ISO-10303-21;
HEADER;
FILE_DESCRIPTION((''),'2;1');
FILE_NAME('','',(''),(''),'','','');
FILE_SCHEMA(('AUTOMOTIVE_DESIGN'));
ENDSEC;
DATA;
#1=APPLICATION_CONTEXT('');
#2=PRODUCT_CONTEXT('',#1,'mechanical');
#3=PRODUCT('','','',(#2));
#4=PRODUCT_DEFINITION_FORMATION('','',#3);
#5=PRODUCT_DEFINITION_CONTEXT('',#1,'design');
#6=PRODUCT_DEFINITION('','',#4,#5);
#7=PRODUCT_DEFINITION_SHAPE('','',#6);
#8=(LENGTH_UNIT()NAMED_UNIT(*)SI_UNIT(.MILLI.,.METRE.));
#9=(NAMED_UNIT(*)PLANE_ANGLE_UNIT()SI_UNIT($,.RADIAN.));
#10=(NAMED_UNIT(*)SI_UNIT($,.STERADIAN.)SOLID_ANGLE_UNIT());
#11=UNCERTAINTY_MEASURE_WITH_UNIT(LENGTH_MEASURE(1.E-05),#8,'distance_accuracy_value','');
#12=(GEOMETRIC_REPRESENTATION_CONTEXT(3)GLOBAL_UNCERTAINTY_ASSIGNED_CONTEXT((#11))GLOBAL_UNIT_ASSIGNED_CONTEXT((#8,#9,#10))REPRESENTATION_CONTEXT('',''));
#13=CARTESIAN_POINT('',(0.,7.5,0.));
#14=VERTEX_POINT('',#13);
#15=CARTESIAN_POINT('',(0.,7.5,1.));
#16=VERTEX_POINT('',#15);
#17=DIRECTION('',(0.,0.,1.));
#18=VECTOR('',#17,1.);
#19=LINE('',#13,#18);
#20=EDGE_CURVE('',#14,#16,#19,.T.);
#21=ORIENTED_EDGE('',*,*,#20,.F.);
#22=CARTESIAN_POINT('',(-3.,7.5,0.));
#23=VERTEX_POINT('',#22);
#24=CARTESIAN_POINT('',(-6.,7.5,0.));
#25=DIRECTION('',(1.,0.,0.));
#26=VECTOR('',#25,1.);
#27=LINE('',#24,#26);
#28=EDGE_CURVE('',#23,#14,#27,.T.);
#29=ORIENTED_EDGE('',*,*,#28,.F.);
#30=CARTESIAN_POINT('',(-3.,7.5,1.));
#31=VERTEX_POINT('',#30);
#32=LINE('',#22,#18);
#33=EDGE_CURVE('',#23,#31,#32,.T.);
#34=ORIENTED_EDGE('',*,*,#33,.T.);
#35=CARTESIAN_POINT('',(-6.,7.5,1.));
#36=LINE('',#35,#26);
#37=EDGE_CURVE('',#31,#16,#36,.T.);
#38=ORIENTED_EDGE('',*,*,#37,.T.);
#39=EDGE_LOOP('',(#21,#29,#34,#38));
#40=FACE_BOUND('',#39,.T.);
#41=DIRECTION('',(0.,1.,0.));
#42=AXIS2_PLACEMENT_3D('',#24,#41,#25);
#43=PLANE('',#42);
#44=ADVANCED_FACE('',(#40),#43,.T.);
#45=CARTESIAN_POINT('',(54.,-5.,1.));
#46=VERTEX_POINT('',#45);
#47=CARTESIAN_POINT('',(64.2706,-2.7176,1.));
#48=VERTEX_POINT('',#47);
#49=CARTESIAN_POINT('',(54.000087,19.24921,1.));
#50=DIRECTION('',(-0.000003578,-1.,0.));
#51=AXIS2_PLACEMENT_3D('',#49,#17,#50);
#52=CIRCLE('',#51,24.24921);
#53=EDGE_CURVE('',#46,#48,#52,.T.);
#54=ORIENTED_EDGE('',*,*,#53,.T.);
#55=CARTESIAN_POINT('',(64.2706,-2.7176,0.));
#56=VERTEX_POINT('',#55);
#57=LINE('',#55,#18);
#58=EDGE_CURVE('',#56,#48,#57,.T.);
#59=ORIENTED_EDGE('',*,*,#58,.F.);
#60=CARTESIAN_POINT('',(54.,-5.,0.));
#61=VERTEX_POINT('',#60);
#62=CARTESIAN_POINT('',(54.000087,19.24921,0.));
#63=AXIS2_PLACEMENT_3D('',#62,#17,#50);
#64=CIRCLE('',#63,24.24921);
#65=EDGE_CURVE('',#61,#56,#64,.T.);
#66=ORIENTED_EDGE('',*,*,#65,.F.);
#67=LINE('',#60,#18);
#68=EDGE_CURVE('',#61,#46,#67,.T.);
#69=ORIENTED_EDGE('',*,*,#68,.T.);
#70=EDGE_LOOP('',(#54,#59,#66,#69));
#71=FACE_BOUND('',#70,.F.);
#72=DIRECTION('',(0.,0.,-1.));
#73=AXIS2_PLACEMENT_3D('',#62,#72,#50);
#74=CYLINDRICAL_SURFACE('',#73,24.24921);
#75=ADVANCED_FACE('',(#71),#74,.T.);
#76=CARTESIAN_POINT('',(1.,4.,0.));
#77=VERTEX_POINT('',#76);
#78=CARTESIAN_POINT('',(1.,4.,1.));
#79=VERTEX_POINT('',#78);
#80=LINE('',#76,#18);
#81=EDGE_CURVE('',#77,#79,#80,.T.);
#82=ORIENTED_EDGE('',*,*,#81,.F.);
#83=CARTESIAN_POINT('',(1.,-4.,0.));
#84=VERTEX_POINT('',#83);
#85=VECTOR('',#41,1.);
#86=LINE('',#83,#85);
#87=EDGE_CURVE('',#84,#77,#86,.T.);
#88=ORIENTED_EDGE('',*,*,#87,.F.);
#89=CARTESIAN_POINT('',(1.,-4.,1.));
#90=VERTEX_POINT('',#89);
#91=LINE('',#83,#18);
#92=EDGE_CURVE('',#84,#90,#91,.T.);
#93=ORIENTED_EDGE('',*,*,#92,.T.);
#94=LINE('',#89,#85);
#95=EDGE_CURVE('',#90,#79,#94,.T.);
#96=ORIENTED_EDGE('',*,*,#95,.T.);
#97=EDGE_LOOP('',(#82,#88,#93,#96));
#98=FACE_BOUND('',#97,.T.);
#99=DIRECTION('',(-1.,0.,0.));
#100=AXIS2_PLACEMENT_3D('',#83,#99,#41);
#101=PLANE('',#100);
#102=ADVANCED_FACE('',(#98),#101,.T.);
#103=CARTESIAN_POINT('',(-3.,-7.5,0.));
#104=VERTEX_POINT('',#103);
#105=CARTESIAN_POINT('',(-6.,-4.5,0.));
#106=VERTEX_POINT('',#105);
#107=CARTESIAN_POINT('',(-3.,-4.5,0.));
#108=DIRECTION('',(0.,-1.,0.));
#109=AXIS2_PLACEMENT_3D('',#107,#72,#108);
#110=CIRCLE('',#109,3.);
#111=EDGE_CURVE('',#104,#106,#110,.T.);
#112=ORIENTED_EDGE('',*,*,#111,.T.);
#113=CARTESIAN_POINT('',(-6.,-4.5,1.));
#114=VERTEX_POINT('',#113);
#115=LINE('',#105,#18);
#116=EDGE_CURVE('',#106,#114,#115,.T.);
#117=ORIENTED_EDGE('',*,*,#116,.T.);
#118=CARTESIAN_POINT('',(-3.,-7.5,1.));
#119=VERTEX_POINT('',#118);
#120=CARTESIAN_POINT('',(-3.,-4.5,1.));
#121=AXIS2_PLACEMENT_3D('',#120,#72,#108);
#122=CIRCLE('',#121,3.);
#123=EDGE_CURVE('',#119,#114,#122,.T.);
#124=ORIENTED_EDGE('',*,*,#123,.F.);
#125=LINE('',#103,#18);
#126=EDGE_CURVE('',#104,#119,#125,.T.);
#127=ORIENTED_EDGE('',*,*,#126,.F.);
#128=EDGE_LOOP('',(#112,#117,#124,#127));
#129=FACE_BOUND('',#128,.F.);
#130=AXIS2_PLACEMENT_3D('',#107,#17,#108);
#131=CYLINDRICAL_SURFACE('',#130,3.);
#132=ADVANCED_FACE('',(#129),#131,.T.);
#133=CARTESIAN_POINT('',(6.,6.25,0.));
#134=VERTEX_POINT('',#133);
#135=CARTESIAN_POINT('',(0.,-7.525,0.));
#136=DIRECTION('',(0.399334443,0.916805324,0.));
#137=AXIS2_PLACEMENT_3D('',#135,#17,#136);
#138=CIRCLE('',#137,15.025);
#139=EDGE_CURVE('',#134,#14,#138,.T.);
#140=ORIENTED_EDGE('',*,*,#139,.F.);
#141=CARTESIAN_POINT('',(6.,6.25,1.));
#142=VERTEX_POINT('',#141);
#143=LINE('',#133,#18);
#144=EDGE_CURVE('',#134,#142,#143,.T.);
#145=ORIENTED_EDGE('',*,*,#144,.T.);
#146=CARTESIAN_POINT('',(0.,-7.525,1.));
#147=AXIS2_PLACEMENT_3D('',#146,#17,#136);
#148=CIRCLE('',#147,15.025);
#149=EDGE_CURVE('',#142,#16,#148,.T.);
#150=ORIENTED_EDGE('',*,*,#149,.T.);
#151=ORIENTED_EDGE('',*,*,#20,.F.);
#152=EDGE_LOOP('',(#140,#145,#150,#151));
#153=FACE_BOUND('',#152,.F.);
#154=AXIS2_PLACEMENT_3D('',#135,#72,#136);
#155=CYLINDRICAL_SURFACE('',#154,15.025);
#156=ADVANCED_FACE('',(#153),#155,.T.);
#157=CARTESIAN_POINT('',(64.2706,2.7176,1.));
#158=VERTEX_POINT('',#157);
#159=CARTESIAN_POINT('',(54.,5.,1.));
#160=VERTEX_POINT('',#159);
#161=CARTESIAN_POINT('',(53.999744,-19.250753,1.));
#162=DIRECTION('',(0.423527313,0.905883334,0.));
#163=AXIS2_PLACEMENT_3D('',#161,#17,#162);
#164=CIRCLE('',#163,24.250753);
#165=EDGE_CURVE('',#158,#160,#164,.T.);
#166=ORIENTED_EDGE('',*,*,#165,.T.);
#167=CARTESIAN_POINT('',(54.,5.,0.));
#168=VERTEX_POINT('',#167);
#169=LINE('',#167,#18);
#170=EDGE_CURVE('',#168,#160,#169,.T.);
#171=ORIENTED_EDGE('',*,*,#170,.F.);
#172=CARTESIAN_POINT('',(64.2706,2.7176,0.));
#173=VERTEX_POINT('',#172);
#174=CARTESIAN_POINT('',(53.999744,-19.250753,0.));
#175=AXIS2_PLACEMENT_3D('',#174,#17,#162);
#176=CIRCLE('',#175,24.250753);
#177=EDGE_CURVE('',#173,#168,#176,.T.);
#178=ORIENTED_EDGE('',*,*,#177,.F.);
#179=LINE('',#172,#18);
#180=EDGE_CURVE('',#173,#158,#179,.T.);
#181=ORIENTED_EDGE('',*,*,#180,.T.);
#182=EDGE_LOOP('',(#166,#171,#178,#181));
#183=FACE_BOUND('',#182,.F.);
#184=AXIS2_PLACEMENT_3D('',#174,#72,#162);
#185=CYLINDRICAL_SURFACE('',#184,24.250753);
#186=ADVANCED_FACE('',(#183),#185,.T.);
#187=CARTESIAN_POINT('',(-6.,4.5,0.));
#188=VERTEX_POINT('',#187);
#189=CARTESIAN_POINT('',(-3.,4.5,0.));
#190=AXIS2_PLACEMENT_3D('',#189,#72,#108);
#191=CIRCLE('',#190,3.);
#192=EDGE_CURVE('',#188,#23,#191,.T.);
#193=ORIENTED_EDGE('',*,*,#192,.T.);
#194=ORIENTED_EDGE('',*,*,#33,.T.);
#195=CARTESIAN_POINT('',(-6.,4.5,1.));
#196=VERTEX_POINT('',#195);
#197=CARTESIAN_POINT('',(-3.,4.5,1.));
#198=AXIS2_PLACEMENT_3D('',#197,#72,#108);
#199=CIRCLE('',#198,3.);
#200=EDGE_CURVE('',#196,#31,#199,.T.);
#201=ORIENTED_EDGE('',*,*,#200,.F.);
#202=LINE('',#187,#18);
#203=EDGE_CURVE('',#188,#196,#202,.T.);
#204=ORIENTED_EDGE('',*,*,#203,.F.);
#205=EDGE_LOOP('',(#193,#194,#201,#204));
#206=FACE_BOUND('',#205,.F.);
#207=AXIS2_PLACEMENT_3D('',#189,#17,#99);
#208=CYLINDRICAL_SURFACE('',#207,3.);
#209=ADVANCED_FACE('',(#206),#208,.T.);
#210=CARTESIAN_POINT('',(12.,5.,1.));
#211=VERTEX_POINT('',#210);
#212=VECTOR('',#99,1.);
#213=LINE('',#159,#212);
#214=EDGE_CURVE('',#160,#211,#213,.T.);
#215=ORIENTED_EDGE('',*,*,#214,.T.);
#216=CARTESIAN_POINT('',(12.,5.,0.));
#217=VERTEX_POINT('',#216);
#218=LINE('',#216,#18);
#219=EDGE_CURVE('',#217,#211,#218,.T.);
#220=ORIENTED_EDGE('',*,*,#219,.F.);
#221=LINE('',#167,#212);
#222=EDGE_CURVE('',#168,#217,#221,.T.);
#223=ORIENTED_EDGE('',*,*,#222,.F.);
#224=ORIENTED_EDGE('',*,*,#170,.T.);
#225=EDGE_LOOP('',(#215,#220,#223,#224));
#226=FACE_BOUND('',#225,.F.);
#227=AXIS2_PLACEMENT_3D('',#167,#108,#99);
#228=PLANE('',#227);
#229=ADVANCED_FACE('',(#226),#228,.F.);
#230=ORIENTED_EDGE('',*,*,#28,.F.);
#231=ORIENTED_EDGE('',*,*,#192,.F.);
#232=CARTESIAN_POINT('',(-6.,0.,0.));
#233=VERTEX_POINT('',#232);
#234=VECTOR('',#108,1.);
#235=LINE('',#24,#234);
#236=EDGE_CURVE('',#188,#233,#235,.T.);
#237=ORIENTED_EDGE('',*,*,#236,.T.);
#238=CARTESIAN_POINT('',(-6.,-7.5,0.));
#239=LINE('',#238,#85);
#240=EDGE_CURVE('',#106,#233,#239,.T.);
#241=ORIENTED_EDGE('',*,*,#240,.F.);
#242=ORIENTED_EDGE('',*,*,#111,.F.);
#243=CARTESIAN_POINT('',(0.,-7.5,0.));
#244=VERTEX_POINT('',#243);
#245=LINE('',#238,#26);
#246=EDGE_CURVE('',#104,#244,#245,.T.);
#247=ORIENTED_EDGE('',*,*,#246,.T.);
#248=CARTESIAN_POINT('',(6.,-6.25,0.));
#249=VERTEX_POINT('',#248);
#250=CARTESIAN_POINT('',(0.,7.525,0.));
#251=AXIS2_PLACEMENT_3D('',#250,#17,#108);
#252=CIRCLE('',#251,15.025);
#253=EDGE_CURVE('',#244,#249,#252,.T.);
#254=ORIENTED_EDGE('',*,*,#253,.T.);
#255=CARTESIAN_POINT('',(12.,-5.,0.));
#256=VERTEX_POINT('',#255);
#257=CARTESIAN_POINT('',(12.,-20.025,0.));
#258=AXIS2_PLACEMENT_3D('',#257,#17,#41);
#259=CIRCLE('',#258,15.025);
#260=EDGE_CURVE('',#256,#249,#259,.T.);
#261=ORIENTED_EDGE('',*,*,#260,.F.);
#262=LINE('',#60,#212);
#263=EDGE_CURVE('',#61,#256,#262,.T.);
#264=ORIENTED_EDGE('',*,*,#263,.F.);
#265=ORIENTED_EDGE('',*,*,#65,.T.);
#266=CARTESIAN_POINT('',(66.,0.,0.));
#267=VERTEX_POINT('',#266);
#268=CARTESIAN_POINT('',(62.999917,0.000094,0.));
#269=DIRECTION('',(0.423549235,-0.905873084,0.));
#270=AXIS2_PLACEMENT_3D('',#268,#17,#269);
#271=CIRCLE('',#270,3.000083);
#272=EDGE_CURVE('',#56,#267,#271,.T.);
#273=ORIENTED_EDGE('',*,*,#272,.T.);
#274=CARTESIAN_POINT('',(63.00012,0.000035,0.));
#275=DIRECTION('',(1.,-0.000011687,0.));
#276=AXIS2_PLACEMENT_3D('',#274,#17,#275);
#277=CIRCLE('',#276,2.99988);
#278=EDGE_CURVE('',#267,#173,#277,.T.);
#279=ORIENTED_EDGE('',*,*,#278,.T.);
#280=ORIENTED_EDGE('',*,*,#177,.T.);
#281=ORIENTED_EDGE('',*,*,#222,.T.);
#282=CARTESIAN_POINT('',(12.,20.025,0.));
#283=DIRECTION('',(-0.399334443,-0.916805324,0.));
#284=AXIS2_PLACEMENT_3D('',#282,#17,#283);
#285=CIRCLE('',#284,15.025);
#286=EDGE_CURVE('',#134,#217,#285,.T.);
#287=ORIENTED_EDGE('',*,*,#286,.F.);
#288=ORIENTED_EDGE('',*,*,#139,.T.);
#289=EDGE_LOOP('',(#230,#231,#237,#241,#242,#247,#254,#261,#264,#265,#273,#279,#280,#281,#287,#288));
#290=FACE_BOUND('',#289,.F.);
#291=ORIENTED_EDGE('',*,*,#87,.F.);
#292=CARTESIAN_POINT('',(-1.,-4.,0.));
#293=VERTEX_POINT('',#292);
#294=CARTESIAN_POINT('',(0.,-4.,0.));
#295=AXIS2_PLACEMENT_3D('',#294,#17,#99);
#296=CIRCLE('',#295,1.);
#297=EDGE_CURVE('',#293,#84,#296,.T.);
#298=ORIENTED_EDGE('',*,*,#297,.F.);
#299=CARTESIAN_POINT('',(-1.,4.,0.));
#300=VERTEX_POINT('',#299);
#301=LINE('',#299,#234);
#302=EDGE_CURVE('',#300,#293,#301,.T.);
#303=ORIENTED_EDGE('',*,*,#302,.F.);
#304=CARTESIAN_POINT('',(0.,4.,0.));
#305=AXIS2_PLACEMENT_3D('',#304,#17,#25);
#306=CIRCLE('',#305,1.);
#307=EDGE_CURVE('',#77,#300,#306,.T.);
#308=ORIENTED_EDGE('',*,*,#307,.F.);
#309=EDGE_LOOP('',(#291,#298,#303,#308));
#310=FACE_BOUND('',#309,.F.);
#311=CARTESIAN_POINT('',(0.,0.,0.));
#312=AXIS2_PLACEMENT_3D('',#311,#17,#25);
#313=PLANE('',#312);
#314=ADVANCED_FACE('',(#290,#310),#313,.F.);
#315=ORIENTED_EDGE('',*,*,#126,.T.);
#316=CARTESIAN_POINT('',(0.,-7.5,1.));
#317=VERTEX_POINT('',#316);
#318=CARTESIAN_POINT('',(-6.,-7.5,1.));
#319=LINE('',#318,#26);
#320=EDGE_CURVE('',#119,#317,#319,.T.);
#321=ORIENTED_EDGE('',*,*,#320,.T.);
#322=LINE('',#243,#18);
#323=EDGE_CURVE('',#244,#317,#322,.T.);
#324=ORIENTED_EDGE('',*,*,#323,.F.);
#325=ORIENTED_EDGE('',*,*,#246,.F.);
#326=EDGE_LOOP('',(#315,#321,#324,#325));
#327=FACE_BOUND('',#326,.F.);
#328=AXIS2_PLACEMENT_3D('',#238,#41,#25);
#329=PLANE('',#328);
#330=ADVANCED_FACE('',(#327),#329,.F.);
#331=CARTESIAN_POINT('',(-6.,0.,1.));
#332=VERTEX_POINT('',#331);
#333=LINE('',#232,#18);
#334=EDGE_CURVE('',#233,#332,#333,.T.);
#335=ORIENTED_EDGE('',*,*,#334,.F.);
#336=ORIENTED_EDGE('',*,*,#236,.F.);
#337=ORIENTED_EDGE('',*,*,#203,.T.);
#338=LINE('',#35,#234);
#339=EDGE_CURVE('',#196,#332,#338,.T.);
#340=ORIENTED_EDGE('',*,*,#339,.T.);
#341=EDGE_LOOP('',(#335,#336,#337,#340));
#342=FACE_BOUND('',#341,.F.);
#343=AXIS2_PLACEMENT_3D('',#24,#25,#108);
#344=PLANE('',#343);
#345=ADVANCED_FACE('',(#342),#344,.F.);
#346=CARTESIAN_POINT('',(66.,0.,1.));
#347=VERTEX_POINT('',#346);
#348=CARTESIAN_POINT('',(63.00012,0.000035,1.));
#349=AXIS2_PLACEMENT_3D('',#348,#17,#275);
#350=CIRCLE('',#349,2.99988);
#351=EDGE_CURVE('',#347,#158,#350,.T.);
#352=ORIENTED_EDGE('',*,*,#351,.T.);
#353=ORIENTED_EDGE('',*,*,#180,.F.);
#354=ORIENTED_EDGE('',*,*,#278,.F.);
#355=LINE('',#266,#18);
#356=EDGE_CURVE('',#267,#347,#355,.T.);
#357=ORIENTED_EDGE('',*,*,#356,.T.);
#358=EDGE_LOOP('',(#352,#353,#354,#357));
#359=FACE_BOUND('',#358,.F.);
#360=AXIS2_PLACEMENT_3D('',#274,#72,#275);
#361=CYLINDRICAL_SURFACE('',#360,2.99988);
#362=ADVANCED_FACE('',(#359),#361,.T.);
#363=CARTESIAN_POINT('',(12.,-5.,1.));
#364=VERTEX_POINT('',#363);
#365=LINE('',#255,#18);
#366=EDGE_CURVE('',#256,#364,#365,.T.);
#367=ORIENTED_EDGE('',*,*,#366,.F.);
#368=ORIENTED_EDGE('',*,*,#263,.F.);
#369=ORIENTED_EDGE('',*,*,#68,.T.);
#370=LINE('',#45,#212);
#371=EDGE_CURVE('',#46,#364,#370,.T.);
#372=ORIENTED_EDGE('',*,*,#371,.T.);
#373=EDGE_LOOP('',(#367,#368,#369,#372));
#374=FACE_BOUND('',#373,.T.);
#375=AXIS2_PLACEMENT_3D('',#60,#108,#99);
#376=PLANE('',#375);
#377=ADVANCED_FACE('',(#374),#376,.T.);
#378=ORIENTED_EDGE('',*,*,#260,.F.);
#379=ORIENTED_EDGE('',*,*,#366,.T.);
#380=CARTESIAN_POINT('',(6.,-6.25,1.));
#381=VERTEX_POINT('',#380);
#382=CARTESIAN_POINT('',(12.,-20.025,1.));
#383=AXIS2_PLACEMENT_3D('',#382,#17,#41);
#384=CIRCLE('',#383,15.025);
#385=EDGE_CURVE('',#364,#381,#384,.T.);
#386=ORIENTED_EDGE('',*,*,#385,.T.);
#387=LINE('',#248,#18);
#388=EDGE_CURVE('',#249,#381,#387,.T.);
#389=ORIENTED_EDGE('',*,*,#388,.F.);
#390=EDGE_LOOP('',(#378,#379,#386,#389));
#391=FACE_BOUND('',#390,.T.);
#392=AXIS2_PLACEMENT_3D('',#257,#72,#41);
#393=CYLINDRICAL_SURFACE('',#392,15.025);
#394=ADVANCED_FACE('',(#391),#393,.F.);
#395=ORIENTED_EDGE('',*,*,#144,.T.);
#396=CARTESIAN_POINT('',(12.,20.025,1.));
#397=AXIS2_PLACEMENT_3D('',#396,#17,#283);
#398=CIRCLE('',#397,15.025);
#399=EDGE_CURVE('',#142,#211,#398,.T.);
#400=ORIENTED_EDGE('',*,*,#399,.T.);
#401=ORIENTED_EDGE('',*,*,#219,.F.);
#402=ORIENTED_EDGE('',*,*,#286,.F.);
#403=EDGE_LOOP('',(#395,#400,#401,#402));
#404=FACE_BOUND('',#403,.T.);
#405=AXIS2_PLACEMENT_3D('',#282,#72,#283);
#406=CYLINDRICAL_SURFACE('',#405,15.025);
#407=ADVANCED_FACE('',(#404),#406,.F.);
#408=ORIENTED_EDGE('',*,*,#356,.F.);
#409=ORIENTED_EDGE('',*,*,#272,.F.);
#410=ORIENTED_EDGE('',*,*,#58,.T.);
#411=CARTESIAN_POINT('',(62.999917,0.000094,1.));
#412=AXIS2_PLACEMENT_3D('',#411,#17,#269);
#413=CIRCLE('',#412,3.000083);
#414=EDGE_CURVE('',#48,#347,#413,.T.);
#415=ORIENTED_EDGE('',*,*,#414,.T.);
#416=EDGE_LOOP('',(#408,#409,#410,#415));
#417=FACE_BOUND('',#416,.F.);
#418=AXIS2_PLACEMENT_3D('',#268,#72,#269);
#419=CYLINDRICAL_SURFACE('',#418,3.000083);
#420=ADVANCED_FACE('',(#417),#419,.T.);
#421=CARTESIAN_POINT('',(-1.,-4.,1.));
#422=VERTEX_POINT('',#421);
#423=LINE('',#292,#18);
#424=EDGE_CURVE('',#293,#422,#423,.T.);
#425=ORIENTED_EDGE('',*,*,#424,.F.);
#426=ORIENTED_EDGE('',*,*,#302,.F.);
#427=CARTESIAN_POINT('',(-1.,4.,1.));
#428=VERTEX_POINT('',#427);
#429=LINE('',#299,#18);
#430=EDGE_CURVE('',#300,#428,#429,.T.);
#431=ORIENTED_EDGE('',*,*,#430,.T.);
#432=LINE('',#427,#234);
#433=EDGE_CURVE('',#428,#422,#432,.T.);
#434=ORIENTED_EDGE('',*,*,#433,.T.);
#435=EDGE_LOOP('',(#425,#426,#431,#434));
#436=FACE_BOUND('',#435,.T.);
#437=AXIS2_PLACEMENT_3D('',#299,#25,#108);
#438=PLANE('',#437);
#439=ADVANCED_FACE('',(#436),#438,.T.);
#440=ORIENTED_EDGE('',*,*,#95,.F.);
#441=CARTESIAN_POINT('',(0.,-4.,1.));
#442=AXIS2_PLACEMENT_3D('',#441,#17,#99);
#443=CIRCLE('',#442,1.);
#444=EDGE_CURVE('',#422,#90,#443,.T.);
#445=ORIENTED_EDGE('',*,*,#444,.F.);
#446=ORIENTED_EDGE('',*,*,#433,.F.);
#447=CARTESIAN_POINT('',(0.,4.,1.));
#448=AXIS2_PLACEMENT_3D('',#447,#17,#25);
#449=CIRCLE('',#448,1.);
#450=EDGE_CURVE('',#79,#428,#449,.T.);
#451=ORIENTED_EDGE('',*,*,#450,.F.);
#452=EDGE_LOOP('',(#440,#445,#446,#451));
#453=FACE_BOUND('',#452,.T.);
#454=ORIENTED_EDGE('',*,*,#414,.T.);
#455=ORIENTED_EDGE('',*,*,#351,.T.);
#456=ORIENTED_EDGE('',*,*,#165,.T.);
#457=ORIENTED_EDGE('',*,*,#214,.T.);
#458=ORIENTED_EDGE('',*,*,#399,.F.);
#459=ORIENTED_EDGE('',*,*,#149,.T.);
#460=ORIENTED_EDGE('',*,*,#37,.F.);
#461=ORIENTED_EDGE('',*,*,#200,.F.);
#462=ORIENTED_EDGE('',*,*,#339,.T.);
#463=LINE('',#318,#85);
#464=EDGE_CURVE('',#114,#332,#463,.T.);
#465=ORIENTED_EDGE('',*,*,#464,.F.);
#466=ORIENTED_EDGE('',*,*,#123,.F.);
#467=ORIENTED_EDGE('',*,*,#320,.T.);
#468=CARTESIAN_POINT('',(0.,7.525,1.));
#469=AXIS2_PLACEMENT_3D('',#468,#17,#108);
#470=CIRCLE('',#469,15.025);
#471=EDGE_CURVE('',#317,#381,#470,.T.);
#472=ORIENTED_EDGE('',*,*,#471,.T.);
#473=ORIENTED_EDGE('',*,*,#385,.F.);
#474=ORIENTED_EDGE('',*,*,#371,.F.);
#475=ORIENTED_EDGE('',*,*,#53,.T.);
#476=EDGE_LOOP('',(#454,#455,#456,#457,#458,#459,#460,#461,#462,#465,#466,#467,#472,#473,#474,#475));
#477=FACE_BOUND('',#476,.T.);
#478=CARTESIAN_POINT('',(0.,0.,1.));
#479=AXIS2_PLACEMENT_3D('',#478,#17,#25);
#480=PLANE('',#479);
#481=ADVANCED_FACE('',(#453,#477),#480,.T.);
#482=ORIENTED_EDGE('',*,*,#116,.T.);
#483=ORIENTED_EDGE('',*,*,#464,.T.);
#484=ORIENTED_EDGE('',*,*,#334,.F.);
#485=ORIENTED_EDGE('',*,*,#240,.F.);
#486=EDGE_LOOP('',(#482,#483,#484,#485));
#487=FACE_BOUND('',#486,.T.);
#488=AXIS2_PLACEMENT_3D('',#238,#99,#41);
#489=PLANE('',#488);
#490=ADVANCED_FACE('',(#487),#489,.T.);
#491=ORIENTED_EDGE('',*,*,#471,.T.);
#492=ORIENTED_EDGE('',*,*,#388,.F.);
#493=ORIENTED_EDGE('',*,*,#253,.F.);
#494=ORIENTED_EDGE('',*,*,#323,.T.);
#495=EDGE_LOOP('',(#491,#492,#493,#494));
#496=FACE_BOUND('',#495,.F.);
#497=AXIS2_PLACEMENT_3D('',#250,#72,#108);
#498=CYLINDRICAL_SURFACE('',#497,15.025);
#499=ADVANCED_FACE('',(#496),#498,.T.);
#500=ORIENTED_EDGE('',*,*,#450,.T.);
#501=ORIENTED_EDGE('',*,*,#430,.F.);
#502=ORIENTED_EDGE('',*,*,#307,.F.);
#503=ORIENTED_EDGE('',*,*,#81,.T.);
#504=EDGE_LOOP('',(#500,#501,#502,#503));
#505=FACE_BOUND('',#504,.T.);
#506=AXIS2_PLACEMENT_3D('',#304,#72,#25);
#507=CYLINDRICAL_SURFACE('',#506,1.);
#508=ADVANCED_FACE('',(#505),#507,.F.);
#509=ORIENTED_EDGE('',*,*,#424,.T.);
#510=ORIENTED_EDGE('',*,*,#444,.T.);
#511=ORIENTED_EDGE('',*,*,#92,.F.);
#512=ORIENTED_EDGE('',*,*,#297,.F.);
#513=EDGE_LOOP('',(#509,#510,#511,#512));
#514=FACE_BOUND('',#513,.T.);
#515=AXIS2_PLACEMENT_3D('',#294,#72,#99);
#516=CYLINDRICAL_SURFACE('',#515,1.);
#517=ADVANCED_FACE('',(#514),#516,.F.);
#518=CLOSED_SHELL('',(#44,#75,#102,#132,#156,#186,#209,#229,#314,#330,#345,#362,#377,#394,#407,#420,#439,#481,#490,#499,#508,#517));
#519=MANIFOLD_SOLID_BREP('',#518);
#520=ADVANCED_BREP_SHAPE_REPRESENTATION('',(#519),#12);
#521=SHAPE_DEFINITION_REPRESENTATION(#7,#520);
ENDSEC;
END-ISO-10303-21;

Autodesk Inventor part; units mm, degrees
ref_plane "YZ Plane" through (0, 0, 0) normal (1, 0, 0) x (0, 1, 0)
ref_plane "XZ Plane" through (0, 0, 0) normal (0, 1, 0) x (-1, 0, 0)
ref_plane "XY Plane" through (0, 0, 0) normal (0, 0, 1) x (1, 0, 0)
sketch "スケッチ1" plane through (0, 0, 0) normal (0, 0, 1) x (1, 0, 0)
  line L0 (0, 4) -> (0, -4) construction
  line L1 (-1, 4) -> (-1, -4)
  line L2 (1, -4) -> (1, 4)
  arc A0 (1, 4) -> (-1, 4) centre (0, 4) ccw
  arc A1 (-1, -4) -> (1, -4) centre (0, -4) ccw
  arc A2 (64.2706, 2.7176) -> (54, 5) centre (54, -19.25) ccw
  line L3 (54, 5) -> (12, 5)
  line L4 (-6, 7.5) -> (0, 7.5)
  arc A3 (6, 6.25) -> (0, 7.5) centre (0, -7.525) ccw
  arc A4 (6, 6.25) -> (12, 5) centre (12, 20.025) ccw
  line L5 (-6, 7.5) -> (-6, 0)
  line L6 (-6, 0) -> (66, 0) construction
  arc A5 (66, 0) -> (64.2706, 2.7176) centre (63, 0) ccw
  arc A6 (54, -5) -> (64.2706, -2.7176) centre (54, 19.25) ccw
  line L7 (54, -5) -> (12, -5)
  line L8 (-6, -7.5) -> (0, -7.5)
  arc A7 (12, -5) -> (6, -6.25) centre (12, -20.025) ccw
  line L9 (-6, -7.5) -> (-6, 0)
  arc A8 (64.2706, -2.7176) -> (66, 0) centre (63, 0) ccw
  arc A9 (0, -7.5) -> (6, -6.25) centre (0, 7.525) ccw
  point P0 (0, 0)
  point P1 (0, 0)
  point P2 (0, 5)
  point P3 (0, -5)
  dimension "d0" = 2
  dimension "d1" = 10
  dimension "d2" = 7.5
  dimension "d3" = 6
  dimension "d4" = 0
  dimension "d5" = 5
  dimension "d6" = 12
  dimension "d7" = 6
  dimension "d8" = 72
  dimension "d9" = 3
  dimension "d10" = 9
extrude "押し出し1" add sketch "スケッチ1" along normal blind 1
fillet "フィレット1" radius 3 2 edges at (-6, 7.5, 0.5) (-6, -7.5, 0.5)
properties part number "fastener_strap_t1"
